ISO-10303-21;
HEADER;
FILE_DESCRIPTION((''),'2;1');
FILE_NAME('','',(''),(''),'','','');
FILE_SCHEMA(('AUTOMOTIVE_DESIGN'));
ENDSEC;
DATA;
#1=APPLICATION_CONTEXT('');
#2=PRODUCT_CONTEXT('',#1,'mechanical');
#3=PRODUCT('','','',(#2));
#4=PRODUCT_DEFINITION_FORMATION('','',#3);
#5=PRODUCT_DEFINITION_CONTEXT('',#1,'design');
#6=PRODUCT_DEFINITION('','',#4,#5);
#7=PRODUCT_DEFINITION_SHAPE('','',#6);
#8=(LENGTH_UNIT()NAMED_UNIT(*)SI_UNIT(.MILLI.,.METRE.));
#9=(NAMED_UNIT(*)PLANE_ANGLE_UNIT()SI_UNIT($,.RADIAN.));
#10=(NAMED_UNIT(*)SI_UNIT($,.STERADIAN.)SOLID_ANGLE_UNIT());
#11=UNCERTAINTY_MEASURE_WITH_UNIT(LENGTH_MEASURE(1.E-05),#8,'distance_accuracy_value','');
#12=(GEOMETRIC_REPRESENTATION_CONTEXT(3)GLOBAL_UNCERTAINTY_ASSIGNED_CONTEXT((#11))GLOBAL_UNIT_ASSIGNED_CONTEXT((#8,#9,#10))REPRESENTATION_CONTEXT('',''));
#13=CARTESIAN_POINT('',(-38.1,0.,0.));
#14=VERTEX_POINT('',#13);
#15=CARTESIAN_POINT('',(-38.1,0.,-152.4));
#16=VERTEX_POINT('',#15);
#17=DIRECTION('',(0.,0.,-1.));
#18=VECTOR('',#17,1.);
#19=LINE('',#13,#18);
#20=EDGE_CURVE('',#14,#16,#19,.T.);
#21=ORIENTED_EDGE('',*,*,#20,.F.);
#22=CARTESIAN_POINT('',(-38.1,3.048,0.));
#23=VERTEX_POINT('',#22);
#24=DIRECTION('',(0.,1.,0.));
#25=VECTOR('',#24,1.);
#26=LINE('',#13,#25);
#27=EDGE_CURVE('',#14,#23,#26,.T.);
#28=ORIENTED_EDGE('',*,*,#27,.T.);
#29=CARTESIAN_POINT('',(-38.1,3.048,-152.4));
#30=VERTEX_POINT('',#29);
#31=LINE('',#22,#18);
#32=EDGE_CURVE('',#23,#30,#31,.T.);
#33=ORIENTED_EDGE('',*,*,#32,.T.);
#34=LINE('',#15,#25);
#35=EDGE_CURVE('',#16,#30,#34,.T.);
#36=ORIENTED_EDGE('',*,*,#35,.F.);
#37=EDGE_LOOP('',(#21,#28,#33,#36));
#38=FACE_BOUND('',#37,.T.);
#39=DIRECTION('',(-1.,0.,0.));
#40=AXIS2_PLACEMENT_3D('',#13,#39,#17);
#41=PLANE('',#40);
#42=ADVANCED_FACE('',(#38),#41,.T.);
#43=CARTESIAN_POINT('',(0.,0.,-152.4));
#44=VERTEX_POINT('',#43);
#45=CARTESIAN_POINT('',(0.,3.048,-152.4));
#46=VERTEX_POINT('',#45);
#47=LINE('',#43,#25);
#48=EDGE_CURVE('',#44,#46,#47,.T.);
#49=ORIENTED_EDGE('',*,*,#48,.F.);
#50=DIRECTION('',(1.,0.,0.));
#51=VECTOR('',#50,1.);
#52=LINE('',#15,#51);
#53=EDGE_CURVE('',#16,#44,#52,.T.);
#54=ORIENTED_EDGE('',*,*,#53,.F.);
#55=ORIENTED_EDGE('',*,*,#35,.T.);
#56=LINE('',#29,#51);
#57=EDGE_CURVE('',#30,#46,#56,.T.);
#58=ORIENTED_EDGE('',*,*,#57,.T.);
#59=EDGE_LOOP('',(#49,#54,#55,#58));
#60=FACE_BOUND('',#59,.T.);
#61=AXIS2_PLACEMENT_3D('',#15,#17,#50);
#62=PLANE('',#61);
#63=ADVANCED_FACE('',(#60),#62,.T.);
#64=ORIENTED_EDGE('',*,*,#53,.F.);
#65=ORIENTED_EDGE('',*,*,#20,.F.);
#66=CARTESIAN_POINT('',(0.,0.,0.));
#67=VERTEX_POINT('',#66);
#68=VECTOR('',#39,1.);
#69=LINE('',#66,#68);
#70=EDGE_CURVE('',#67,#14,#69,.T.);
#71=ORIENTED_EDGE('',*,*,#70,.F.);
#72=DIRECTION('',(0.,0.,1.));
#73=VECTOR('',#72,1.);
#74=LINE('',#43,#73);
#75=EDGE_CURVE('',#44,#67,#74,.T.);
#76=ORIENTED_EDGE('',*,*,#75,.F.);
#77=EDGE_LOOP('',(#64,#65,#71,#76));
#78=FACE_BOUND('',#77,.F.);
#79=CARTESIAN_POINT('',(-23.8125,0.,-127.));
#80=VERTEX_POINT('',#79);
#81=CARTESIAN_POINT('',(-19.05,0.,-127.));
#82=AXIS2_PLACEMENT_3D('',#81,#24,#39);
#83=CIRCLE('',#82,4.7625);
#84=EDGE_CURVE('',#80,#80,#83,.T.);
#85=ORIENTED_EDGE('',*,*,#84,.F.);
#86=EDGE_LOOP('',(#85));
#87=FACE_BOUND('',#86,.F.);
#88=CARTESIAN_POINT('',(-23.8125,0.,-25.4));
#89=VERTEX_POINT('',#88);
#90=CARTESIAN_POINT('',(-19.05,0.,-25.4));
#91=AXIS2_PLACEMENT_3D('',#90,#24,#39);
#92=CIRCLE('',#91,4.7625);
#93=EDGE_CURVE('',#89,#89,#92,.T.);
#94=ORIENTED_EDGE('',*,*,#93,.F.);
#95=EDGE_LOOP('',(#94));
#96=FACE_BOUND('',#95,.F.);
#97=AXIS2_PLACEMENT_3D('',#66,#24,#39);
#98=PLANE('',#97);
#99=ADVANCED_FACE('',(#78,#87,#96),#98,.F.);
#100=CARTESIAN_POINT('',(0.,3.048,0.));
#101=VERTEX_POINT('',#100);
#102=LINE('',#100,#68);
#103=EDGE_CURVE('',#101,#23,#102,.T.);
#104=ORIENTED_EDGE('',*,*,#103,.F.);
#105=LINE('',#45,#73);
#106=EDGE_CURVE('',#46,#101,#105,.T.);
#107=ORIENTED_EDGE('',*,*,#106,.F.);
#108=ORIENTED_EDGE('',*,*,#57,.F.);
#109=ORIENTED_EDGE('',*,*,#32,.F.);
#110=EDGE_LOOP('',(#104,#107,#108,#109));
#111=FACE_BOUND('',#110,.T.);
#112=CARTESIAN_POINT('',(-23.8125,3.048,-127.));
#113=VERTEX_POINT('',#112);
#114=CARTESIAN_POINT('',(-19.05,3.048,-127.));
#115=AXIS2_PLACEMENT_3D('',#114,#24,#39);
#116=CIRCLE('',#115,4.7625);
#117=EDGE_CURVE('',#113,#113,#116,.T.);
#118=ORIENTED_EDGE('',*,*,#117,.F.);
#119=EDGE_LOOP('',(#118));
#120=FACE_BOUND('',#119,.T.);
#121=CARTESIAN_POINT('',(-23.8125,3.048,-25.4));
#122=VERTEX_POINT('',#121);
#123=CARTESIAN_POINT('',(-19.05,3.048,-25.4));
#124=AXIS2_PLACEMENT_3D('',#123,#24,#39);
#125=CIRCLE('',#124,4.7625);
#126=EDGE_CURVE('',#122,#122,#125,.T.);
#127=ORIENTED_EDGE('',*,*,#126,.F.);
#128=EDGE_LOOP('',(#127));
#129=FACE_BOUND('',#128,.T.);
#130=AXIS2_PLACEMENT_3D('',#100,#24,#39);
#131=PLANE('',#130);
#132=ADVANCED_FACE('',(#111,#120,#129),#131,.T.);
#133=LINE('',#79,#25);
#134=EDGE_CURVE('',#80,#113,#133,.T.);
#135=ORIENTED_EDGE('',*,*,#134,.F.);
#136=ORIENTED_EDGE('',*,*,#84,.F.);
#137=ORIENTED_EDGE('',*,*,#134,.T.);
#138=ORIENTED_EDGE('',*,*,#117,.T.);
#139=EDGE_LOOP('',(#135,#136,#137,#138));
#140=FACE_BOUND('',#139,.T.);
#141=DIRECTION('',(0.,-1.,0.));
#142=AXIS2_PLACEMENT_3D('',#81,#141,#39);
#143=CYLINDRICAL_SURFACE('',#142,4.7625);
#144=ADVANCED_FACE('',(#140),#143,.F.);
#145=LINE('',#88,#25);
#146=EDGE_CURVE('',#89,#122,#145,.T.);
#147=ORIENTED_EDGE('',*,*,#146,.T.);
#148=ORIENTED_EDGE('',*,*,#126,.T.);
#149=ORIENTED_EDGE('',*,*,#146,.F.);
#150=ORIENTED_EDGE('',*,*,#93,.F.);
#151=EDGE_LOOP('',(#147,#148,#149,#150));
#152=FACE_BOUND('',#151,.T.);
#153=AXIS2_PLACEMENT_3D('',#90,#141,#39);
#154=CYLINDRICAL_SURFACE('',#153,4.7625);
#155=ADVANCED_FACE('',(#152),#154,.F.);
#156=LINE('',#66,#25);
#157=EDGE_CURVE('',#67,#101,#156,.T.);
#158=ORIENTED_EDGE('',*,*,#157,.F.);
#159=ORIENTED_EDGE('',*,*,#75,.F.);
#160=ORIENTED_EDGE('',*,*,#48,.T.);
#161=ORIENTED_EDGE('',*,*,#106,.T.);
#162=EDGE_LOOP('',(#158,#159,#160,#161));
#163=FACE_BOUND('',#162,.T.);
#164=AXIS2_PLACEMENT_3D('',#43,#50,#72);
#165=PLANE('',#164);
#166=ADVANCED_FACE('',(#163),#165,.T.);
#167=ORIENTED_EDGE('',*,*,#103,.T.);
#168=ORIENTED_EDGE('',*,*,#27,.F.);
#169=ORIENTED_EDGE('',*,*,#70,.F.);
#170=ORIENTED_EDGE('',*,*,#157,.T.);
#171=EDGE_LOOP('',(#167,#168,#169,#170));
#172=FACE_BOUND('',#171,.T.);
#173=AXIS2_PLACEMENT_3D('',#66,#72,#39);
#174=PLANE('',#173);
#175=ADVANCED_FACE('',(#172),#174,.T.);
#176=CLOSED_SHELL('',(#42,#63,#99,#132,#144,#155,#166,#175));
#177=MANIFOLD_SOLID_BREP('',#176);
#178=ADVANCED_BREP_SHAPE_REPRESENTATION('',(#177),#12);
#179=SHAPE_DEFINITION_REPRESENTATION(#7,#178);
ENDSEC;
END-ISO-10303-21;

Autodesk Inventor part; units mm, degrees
ref_plane "YZ Plane" through (0, 0, 0) normal (1, 0, 0) x (0, 1, 0)
ref_plane "XZ Plane" through (0, 0, 0) normal (0, 1, 0) x (-1, 0, 0)
ref_plane "XY Plane" through (0, 0, 0) normal (0, 0, 1) x (1, 0, 0)
sketch "Sketch1" plane through (0, 0, 0) normal (0, 1, 0) x (-1, 0, 0)
  line L0 (0, 0) -> (38.1, 0)
  line L1 (38.1, 0) -> (38.1, -152.4)
  line L2 (38.1, -152.4) -> (0, -152.4)
  line L3 (0, -152.4) -> (0, 0)
  circle A0 centre (19.05, -25.4) radius 4.7625
  circle A1 centre (19.05, -127) radius 4.7625
  dimension "d0" = 38.1
  dimension "d1" = 152.4
  dimension "d2" = 9.525
  dimension "d3" = 9.525
extrude "Plate1" add sketch "Sketch1" along normal blind 3.048
equation "\"d4\" = Thickness"
equation "\"BendRadius\" = Thickness"
equation "\"BendReliefWidth\" = Thickness"
equation "\"BendReliefDepth\" = 0.5 * Thickness"
equation "\"CornerReliefSize\" = 4 * Thickness"
equation "\"MinimumRemnant\" = 2 * Thickness"
equation "\"TransitionRadius\" = BendRadius"
equation "\"JacobiRadiusSize\" = BendRadius"
equation "\"GapSize\" = Thickness"
equation "\"Thickness\" = 3.048"
properties part number "6x1.5"
